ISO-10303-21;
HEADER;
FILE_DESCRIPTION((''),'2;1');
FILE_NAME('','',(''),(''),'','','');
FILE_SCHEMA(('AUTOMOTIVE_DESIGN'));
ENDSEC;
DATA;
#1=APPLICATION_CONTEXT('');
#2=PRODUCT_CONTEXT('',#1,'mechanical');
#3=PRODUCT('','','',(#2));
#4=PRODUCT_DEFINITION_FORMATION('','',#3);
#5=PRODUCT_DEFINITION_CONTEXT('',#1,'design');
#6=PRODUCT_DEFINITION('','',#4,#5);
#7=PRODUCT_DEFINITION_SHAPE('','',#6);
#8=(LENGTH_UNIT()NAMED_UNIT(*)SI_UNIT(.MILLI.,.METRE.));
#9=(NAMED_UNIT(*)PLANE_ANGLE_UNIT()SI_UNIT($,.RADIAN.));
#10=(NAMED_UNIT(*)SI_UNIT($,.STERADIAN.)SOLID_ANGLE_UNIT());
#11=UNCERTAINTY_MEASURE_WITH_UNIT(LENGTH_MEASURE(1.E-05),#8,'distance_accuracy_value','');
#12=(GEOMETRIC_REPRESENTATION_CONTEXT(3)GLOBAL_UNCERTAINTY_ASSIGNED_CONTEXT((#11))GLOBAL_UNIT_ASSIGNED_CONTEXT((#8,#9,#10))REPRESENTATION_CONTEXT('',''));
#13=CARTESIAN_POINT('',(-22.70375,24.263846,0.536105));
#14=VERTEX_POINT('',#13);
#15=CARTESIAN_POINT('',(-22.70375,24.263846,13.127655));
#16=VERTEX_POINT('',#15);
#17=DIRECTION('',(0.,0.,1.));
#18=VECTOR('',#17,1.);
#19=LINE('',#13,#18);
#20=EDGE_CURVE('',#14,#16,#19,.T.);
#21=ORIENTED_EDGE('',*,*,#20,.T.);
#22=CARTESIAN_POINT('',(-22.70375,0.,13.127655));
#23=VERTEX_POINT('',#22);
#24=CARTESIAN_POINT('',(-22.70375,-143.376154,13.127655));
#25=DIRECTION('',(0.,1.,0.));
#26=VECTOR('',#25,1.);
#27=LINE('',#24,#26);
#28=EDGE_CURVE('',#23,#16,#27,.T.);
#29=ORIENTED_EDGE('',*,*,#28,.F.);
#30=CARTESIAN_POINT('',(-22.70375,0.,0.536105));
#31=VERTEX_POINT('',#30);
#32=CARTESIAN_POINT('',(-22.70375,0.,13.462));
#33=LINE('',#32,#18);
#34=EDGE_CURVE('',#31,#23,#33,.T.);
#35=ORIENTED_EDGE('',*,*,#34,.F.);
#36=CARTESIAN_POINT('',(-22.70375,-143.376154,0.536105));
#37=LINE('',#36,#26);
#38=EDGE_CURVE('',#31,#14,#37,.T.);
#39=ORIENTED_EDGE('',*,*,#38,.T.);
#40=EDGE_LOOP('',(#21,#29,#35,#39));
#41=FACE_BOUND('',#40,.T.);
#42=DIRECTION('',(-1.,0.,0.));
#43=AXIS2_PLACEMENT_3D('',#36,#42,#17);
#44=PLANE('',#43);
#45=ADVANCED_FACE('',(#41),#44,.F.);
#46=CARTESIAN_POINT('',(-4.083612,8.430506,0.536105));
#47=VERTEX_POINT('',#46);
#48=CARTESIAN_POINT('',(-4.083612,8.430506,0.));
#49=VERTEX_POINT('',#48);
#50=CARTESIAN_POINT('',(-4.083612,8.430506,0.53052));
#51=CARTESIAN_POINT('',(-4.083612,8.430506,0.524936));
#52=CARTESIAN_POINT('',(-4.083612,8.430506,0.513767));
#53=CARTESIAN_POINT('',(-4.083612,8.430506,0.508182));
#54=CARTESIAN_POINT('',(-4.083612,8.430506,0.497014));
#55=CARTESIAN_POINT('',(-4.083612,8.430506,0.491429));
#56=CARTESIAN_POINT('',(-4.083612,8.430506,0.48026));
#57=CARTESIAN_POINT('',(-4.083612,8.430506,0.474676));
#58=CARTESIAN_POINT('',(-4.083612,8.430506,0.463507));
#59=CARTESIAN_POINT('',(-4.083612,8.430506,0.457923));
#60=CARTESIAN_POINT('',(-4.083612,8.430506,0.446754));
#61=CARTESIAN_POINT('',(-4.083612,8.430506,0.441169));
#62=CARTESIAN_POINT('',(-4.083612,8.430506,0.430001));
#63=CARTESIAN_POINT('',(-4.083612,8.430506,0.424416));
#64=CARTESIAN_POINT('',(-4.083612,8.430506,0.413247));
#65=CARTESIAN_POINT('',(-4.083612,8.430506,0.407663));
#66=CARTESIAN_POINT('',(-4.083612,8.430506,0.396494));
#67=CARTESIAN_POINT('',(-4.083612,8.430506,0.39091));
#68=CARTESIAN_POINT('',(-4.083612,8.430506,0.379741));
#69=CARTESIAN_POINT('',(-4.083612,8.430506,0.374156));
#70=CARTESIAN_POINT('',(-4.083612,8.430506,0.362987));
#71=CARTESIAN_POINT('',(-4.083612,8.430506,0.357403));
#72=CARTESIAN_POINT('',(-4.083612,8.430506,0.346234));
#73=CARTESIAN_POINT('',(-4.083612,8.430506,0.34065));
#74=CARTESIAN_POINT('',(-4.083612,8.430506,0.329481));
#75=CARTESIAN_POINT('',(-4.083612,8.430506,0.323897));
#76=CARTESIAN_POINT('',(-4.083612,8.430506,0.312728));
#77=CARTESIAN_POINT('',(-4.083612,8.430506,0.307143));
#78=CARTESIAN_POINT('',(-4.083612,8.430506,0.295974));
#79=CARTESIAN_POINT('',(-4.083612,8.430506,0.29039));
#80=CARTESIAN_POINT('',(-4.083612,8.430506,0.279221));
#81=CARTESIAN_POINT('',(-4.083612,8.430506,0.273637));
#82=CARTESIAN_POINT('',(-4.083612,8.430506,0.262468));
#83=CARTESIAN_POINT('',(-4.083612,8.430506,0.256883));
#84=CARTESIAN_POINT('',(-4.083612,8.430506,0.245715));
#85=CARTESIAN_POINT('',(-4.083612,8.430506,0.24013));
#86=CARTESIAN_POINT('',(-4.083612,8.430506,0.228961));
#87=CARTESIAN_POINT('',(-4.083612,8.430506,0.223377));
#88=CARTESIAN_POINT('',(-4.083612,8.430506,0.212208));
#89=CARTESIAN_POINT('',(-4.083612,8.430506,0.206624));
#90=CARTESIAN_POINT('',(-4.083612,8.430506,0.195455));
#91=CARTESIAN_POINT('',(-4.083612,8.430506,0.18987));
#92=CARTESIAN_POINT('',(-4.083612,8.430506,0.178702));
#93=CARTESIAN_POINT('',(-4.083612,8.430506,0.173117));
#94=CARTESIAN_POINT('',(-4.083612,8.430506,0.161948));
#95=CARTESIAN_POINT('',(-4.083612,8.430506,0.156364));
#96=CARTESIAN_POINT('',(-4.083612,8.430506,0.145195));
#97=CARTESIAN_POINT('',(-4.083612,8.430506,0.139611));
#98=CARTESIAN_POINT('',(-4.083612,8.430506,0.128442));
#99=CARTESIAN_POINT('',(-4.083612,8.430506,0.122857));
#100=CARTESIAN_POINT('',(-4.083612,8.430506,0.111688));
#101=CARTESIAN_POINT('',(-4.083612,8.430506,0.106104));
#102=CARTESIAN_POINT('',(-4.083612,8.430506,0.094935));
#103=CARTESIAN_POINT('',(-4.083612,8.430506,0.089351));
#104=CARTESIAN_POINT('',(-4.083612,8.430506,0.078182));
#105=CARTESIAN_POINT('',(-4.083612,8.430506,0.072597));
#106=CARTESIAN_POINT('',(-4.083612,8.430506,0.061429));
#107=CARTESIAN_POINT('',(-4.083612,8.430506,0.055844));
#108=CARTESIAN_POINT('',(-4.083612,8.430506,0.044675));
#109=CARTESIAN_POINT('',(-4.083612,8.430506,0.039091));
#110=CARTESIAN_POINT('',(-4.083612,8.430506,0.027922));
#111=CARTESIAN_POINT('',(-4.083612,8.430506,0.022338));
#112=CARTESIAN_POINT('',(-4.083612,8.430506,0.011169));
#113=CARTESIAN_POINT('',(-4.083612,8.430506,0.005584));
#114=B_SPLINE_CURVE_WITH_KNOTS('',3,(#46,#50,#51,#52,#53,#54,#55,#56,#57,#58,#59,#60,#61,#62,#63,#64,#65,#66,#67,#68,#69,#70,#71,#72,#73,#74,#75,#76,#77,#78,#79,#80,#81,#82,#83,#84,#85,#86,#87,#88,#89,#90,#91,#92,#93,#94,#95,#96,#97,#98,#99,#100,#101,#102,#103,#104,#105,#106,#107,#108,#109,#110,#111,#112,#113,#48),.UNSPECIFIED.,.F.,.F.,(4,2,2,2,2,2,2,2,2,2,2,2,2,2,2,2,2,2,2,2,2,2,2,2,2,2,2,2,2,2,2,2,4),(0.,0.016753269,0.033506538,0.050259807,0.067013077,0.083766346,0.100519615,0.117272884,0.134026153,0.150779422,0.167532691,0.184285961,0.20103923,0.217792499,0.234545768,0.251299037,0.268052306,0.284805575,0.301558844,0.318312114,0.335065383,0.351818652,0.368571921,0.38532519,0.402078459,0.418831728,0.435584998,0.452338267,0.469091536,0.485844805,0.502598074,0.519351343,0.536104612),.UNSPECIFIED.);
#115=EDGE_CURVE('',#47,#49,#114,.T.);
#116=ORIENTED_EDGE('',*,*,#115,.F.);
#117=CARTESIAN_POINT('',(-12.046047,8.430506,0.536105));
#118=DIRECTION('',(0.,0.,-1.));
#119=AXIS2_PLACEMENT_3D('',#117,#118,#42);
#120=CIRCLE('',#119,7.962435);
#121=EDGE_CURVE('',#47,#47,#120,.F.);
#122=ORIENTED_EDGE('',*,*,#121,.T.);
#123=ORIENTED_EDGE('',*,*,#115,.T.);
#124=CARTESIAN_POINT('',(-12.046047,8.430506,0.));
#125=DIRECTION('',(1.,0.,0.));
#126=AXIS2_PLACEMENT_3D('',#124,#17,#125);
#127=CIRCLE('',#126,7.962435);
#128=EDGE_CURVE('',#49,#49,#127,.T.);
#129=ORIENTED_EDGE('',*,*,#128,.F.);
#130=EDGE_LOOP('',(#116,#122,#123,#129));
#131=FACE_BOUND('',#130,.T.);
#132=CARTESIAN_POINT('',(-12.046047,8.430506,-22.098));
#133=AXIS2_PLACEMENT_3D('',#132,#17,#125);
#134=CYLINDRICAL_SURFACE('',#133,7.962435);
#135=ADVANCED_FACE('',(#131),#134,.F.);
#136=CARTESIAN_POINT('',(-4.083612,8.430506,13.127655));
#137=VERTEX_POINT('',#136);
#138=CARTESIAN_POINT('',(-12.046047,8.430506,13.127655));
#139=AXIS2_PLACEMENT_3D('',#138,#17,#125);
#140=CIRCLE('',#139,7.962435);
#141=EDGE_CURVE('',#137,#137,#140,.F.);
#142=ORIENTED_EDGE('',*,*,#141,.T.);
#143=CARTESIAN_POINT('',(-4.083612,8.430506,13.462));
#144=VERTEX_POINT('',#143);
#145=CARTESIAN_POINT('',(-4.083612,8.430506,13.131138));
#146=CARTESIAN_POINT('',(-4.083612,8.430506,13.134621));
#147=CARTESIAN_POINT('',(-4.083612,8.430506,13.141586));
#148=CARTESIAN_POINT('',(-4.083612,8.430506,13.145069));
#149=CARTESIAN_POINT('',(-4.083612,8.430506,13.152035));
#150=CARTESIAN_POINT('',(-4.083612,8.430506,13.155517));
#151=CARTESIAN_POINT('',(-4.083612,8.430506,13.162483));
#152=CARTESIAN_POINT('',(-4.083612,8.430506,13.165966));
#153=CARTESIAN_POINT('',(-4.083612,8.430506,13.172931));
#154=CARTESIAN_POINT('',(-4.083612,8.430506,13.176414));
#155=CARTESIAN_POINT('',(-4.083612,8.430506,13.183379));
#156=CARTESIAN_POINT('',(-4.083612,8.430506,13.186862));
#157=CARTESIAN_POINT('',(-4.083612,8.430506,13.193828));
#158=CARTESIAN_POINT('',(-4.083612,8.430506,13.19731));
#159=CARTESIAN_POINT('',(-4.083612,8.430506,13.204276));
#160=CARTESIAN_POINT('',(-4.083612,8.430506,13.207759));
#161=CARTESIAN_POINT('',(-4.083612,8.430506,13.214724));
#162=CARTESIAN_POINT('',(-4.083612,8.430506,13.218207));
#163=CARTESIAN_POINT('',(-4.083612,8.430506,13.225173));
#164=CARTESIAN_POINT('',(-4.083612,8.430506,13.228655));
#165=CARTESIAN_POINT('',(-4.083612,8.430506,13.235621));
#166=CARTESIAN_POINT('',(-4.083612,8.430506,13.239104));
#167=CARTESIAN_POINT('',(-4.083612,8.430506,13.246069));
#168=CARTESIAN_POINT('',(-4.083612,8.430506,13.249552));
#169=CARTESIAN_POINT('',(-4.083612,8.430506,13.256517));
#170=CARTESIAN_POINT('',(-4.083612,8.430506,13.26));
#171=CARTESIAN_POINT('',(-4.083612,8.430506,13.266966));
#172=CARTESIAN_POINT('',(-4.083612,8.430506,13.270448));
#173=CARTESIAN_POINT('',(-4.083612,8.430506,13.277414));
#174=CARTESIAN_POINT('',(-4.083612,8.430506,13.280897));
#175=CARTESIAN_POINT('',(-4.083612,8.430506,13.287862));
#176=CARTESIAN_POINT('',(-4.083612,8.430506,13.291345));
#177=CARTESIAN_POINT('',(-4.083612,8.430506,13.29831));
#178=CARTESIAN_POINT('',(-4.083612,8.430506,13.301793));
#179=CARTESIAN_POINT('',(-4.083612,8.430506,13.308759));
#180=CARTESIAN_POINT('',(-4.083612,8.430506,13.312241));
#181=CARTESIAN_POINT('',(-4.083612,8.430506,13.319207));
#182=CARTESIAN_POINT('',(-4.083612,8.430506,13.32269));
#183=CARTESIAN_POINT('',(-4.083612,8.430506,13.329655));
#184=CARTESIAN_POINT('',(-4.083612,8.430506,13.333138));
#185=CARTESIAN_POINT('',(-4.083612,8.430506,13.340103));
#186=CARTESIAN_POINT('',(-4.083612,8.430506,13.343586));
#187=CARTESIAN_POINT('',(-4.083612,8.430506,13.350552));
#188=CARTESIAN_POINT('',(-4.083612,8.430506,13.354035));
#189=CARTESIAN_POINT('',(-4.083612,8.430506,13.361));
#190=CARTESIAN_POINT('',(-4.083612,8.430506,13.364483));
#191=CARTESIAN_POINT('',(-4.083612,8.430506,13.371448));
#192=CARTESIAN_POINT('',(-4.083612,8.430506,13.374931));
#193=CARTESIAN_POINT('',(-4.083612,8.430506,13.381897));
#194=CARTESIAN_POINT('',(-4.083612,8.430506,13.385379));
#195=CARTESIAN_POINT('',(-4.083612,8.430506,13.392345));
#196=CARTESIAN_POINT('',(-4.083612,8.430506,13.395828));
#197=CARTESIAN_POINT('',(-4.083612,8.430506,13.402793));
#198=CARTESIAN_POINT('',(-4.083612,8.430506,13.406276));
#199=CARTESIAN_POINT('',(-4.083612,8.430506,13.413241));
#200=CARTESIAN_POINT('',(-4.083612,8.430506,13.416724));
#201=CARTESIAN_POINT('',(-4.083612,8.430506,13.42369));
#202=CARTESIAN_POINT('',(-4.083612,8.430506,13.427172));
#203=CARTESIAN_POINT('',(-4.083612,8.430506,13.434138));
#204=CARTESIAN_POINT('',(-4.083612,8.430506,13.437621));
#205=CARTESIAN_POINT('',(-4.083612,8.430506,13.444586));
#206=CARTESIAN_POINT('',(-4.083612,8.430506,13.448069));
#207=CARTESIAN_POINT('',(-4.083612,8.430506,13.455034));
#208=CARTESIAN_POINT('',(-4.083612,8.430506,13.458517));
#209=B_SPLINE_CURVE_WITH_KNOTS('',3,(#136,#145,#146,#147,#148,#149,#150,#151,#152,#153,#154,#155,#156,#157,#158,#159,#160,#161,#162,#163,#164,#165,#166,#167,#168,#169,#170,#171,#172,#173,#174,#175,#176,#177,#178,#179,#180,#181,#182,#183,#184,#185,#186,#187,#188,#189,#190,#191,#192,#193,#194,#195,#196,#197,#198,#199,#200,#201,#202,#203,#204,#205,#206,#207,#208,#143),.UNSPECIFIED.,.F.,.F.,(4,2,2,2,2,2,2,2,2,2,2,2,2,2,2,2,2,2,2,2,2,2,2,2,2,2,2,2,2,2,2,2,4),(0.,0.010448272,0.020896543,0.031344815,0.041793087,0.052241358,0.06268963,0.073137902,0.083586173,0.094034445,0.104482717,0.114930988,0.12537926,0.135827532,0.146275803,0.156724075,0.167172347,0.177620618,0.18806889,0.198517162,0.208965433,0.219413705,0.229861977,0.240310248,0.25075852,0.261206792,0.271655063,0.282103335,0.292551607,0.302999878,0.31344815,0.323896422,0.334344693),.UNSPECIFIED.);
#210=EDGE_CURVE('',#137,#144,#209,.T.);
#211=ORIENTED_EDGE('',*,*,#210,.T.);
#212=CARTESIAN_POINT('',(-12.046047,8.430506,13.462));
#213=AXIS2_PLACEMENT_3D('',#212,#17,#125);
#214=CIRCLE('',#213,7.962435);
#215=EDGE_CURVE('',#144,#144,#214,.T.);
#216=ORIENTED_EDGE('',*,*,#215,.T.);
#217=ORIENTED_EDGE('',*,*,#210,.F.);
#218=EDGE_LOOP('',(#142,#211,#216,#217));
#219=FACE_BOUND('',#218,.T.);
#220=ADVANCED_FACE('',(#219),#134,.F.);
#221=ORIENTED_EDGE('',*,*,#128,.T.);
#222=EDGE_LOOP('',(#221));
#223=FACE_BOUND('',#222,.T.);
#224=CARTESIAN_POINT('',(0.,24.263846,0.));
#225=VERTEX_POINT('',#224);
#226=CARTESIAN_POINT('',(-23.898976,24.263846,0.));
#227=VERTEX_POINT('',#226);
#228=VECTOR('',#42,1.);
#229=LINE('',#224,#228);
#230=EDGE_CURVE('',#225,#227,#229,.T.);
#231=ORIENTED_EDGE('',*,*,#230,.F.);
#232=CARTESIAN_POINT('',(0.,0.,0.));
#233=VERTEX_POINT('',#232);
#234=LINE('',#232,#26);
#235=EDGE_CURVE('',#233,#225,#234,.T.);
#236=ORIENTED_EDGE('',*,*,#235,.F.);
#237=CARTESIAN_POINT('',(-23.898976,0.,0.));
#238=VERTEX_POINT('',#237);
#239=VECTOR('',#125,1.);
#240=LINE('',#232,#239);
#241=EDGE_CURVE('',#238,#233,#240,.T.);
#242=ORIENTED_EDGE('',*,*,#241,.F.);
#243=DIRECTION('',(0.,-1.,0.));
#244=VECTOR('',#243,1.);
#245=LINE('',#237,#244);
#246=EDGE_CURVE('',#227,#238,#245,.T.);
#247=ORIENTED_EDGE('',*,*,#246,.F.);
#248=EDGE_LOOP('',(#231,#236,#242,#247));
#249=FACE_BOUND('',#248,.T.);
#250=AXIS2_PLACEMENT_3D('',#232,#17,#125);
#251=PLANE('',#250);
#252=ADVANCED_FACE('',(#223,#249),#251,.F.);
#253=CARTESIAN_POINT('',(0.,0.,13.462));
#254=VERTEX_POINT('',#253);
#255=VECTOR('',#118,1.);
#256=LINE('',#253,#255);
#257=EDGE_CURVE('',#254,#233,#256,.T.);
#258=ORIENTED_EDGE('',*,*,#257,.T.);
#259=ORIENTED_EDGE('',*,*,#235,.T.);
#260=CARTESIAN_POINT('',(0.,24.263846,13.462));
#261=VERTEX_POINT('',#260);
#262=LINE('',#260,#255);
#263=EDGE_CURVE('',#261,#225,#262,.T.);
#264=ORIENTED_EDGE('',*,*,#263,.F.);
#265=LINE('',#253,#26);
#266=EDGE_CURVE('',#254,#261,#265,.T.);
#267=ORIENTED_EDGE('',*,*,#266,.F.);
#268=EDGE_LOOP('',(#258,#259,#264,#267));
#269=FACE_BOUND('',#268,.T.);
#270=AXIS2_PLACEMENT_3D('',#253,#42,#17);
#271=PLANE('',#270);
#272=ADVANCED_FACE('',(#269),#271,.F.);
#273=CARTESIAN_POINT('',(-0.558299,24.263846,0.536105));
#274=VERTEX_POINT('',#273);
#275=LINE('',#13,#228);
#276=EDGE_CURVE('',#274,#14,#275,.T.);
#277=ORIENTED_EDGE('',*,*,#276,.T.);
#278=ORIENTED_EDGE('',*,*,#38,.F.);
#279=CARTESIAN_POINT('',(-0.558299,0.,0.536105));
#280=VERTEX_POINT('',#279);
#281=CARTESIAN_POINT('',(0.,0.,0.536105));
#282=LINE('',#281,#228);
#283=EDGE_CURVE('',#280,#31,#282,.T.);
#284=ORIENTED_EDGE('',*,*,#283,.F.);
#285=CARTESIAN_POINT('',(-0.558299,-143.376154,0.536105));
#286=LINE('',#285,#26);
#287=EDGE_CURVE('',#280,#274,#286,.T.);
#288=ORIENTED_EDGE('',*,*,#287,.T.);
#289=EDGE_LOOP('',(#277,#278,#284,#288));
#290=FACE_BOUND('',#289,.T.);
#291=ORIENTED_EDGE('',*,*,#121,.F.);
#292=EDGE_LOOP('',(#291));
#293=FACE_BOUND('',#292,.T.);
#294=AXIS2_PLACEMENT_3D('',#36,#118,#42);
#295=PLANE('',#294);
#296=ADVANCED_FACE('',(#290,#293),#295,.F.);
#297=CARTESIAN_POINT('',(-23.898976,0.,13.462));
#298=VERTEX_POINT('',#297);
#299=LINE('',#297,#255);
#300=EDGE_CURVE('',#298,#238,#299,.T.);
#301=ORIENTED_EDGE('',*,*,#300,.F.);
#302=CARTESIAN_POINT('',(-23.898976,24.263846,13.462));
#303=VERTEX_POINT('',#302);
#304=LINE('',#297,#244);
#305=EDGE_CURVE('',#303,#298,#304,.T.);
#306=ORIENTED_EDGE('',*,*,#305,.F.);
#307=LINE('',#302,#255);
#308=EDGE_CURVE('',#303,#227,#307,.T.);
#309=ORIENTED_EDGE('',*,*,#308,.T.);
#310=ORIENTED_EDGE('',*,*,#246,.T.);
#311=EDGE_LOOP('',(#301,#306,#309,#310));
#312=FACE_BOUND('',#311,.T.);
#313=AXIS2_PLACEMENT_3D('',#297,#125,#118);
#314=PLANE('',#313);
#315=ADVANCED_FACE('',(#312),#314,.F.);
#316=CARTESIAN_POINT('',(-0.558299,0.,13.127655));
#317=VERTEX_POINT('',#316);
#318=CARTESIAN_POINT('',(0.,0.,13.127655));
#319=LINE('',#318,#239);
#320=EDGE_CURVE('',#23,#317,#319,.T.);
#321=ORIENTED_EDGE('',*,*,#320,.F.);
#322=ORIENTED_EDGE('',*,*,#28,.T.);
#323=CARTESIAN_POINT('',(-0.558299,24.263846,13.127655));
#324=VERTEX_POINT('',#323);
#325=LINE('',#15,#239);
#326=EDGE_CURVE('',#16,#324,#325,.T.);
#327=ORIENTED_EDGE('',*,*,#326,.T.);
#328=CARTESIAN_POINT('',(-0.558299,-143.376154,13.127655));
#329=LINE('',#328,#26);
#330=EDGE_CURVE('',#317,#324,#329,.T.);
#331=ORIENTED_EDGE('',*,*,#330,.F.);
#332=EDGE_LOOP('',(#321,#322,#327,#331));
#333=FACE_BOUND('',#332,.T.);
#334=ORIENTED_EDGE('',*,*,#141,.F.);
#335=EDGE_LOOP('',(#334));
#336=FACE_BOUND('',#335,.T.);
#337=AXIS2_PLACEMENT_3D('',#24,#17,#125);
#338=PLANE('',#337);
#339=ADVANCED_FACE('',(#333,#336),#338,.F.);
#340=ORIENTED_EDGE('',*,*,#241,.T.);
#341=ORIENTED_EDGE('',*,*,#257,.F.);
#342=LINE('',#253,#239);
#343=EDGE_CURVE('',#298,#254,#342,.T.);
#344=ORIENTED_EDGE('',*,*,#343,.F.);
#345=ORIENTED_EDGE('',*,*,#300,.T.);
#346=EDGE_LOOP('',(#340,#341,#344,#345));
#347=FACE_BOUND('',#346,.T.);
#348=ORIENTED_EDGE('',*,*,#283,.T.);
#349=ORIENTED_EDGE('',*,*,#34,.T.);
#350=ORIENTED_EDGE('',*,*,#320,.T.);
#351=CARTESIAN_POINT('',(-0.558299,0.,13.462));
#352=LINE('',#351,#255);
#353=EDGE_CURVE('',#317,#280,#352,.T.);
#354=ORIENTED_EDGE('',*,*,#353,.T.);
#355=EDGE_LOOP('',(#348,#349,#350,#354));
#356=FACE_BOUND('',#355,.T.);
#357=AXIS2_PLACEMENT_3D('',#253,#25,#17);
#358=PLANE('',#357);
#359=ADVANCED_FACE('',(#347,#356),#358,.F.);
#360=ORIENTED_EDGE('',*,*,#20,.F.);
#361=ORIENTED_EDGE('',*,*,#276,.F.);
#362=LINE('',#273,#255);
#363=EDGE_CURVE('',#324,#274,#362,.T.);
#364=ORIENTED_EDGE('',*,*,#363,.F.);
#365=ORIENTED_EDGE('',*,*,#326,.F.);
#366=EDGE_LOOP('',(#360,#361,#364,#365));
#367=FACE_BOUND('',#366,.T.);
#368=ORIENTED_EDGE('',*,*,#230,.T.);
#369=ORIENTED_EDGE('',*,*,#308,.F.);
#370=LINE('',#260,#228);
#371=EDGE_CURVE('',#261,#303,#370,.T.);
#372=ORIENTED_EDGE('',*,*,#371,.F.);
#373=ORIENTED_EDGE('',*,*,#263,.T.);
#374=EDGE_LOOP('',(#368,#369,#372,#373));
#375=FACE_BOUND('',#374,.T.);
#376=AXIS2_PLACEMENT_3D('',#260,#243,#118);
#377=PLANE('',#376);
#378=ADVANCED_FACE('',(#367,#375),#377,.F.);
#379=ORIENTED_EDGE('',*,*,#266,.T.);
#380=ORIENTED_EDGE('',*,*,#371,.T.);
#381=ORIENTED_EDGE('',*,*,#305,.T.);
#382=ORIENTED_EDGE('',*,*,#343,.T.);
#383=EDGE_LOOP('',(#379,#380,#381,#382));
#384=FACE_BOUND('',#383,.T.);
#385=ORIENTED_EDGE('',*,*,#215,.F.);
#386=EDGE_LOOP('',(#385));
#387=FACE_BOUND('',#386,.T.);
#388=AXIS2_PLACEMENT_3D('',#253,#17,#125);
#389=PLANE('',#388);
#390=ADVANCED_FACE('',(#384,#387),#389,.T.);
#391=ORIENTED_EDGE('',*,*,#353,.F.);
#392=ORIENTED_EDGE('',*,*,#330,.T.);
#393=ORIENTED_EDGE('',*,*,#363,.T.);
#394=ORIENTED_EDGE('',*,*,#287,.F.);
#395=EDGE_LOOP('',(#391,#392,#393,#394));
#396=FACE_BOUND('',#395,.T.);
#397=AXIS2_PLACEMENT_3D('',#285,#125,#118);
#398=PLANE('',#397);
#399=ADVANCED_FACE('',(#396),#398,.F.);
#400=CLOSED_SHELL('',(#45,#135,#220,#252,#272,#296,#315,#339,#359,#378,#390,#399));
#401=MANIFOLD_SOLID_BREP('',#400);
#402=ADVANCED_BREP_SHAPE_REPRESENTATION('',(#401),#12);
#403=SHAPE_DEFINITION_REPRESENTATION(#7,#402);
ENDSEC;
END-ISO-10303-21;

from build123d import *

# Parameters (mm, degrees)
SKETCH1_W           = 23.898976307
SKETCH1_H           = 24.263846175
BOSS_EXTRUDE3_DEPTH = 13.462
SKETCH2_R           = 7.962435276
CUT_EXTRUDE1_DEPTH  = 35.56
SKETCH3_W           = 22.145451027
SKETCH3_H           = 12.591550695
CUT_EXTRUDE2_DEPTH  = 167.64


with BuildPart() as part:
    # Sketch1 → Boss-Extrude3 (new body)
    with BuildSketch(Plane.XY):
        with Locations((-11.949488154, 12.131923088)):
            Rectangle(SKETCH1_W, SKETCH1_H)
    extrude(amount=BOSS_EXTRUDE3_DEPTH)

    # Sketch2 → Cut-Extrude1 (cut)
    with BuildSketch(Plane.XY.offset(13.462)):
        with Locations((-12.046046864, 8.430505839)):
            Circle(SKETCH2_R)
    extrude(amount=-CUT_EXTRUDE1_DEPTH, mode=Mode.SUBTRACT)

    # Sketch3 → Cut-Extrude2 (cut)
    with BuildSketch(Plane(origin=(0, 24.263846175, 0), x_dir=(1, 0, 0), z_dir=(0, 1, 0))):
        with Locations((-11.63102481, -6.83187996)):
            Rectangle(SKETCH3_W, SKETCH3_H)
    extrude(amount=-CUT_EXTRUDE2_DEPTH, mode=Mode.SUBTRACT)


solid = part.part
